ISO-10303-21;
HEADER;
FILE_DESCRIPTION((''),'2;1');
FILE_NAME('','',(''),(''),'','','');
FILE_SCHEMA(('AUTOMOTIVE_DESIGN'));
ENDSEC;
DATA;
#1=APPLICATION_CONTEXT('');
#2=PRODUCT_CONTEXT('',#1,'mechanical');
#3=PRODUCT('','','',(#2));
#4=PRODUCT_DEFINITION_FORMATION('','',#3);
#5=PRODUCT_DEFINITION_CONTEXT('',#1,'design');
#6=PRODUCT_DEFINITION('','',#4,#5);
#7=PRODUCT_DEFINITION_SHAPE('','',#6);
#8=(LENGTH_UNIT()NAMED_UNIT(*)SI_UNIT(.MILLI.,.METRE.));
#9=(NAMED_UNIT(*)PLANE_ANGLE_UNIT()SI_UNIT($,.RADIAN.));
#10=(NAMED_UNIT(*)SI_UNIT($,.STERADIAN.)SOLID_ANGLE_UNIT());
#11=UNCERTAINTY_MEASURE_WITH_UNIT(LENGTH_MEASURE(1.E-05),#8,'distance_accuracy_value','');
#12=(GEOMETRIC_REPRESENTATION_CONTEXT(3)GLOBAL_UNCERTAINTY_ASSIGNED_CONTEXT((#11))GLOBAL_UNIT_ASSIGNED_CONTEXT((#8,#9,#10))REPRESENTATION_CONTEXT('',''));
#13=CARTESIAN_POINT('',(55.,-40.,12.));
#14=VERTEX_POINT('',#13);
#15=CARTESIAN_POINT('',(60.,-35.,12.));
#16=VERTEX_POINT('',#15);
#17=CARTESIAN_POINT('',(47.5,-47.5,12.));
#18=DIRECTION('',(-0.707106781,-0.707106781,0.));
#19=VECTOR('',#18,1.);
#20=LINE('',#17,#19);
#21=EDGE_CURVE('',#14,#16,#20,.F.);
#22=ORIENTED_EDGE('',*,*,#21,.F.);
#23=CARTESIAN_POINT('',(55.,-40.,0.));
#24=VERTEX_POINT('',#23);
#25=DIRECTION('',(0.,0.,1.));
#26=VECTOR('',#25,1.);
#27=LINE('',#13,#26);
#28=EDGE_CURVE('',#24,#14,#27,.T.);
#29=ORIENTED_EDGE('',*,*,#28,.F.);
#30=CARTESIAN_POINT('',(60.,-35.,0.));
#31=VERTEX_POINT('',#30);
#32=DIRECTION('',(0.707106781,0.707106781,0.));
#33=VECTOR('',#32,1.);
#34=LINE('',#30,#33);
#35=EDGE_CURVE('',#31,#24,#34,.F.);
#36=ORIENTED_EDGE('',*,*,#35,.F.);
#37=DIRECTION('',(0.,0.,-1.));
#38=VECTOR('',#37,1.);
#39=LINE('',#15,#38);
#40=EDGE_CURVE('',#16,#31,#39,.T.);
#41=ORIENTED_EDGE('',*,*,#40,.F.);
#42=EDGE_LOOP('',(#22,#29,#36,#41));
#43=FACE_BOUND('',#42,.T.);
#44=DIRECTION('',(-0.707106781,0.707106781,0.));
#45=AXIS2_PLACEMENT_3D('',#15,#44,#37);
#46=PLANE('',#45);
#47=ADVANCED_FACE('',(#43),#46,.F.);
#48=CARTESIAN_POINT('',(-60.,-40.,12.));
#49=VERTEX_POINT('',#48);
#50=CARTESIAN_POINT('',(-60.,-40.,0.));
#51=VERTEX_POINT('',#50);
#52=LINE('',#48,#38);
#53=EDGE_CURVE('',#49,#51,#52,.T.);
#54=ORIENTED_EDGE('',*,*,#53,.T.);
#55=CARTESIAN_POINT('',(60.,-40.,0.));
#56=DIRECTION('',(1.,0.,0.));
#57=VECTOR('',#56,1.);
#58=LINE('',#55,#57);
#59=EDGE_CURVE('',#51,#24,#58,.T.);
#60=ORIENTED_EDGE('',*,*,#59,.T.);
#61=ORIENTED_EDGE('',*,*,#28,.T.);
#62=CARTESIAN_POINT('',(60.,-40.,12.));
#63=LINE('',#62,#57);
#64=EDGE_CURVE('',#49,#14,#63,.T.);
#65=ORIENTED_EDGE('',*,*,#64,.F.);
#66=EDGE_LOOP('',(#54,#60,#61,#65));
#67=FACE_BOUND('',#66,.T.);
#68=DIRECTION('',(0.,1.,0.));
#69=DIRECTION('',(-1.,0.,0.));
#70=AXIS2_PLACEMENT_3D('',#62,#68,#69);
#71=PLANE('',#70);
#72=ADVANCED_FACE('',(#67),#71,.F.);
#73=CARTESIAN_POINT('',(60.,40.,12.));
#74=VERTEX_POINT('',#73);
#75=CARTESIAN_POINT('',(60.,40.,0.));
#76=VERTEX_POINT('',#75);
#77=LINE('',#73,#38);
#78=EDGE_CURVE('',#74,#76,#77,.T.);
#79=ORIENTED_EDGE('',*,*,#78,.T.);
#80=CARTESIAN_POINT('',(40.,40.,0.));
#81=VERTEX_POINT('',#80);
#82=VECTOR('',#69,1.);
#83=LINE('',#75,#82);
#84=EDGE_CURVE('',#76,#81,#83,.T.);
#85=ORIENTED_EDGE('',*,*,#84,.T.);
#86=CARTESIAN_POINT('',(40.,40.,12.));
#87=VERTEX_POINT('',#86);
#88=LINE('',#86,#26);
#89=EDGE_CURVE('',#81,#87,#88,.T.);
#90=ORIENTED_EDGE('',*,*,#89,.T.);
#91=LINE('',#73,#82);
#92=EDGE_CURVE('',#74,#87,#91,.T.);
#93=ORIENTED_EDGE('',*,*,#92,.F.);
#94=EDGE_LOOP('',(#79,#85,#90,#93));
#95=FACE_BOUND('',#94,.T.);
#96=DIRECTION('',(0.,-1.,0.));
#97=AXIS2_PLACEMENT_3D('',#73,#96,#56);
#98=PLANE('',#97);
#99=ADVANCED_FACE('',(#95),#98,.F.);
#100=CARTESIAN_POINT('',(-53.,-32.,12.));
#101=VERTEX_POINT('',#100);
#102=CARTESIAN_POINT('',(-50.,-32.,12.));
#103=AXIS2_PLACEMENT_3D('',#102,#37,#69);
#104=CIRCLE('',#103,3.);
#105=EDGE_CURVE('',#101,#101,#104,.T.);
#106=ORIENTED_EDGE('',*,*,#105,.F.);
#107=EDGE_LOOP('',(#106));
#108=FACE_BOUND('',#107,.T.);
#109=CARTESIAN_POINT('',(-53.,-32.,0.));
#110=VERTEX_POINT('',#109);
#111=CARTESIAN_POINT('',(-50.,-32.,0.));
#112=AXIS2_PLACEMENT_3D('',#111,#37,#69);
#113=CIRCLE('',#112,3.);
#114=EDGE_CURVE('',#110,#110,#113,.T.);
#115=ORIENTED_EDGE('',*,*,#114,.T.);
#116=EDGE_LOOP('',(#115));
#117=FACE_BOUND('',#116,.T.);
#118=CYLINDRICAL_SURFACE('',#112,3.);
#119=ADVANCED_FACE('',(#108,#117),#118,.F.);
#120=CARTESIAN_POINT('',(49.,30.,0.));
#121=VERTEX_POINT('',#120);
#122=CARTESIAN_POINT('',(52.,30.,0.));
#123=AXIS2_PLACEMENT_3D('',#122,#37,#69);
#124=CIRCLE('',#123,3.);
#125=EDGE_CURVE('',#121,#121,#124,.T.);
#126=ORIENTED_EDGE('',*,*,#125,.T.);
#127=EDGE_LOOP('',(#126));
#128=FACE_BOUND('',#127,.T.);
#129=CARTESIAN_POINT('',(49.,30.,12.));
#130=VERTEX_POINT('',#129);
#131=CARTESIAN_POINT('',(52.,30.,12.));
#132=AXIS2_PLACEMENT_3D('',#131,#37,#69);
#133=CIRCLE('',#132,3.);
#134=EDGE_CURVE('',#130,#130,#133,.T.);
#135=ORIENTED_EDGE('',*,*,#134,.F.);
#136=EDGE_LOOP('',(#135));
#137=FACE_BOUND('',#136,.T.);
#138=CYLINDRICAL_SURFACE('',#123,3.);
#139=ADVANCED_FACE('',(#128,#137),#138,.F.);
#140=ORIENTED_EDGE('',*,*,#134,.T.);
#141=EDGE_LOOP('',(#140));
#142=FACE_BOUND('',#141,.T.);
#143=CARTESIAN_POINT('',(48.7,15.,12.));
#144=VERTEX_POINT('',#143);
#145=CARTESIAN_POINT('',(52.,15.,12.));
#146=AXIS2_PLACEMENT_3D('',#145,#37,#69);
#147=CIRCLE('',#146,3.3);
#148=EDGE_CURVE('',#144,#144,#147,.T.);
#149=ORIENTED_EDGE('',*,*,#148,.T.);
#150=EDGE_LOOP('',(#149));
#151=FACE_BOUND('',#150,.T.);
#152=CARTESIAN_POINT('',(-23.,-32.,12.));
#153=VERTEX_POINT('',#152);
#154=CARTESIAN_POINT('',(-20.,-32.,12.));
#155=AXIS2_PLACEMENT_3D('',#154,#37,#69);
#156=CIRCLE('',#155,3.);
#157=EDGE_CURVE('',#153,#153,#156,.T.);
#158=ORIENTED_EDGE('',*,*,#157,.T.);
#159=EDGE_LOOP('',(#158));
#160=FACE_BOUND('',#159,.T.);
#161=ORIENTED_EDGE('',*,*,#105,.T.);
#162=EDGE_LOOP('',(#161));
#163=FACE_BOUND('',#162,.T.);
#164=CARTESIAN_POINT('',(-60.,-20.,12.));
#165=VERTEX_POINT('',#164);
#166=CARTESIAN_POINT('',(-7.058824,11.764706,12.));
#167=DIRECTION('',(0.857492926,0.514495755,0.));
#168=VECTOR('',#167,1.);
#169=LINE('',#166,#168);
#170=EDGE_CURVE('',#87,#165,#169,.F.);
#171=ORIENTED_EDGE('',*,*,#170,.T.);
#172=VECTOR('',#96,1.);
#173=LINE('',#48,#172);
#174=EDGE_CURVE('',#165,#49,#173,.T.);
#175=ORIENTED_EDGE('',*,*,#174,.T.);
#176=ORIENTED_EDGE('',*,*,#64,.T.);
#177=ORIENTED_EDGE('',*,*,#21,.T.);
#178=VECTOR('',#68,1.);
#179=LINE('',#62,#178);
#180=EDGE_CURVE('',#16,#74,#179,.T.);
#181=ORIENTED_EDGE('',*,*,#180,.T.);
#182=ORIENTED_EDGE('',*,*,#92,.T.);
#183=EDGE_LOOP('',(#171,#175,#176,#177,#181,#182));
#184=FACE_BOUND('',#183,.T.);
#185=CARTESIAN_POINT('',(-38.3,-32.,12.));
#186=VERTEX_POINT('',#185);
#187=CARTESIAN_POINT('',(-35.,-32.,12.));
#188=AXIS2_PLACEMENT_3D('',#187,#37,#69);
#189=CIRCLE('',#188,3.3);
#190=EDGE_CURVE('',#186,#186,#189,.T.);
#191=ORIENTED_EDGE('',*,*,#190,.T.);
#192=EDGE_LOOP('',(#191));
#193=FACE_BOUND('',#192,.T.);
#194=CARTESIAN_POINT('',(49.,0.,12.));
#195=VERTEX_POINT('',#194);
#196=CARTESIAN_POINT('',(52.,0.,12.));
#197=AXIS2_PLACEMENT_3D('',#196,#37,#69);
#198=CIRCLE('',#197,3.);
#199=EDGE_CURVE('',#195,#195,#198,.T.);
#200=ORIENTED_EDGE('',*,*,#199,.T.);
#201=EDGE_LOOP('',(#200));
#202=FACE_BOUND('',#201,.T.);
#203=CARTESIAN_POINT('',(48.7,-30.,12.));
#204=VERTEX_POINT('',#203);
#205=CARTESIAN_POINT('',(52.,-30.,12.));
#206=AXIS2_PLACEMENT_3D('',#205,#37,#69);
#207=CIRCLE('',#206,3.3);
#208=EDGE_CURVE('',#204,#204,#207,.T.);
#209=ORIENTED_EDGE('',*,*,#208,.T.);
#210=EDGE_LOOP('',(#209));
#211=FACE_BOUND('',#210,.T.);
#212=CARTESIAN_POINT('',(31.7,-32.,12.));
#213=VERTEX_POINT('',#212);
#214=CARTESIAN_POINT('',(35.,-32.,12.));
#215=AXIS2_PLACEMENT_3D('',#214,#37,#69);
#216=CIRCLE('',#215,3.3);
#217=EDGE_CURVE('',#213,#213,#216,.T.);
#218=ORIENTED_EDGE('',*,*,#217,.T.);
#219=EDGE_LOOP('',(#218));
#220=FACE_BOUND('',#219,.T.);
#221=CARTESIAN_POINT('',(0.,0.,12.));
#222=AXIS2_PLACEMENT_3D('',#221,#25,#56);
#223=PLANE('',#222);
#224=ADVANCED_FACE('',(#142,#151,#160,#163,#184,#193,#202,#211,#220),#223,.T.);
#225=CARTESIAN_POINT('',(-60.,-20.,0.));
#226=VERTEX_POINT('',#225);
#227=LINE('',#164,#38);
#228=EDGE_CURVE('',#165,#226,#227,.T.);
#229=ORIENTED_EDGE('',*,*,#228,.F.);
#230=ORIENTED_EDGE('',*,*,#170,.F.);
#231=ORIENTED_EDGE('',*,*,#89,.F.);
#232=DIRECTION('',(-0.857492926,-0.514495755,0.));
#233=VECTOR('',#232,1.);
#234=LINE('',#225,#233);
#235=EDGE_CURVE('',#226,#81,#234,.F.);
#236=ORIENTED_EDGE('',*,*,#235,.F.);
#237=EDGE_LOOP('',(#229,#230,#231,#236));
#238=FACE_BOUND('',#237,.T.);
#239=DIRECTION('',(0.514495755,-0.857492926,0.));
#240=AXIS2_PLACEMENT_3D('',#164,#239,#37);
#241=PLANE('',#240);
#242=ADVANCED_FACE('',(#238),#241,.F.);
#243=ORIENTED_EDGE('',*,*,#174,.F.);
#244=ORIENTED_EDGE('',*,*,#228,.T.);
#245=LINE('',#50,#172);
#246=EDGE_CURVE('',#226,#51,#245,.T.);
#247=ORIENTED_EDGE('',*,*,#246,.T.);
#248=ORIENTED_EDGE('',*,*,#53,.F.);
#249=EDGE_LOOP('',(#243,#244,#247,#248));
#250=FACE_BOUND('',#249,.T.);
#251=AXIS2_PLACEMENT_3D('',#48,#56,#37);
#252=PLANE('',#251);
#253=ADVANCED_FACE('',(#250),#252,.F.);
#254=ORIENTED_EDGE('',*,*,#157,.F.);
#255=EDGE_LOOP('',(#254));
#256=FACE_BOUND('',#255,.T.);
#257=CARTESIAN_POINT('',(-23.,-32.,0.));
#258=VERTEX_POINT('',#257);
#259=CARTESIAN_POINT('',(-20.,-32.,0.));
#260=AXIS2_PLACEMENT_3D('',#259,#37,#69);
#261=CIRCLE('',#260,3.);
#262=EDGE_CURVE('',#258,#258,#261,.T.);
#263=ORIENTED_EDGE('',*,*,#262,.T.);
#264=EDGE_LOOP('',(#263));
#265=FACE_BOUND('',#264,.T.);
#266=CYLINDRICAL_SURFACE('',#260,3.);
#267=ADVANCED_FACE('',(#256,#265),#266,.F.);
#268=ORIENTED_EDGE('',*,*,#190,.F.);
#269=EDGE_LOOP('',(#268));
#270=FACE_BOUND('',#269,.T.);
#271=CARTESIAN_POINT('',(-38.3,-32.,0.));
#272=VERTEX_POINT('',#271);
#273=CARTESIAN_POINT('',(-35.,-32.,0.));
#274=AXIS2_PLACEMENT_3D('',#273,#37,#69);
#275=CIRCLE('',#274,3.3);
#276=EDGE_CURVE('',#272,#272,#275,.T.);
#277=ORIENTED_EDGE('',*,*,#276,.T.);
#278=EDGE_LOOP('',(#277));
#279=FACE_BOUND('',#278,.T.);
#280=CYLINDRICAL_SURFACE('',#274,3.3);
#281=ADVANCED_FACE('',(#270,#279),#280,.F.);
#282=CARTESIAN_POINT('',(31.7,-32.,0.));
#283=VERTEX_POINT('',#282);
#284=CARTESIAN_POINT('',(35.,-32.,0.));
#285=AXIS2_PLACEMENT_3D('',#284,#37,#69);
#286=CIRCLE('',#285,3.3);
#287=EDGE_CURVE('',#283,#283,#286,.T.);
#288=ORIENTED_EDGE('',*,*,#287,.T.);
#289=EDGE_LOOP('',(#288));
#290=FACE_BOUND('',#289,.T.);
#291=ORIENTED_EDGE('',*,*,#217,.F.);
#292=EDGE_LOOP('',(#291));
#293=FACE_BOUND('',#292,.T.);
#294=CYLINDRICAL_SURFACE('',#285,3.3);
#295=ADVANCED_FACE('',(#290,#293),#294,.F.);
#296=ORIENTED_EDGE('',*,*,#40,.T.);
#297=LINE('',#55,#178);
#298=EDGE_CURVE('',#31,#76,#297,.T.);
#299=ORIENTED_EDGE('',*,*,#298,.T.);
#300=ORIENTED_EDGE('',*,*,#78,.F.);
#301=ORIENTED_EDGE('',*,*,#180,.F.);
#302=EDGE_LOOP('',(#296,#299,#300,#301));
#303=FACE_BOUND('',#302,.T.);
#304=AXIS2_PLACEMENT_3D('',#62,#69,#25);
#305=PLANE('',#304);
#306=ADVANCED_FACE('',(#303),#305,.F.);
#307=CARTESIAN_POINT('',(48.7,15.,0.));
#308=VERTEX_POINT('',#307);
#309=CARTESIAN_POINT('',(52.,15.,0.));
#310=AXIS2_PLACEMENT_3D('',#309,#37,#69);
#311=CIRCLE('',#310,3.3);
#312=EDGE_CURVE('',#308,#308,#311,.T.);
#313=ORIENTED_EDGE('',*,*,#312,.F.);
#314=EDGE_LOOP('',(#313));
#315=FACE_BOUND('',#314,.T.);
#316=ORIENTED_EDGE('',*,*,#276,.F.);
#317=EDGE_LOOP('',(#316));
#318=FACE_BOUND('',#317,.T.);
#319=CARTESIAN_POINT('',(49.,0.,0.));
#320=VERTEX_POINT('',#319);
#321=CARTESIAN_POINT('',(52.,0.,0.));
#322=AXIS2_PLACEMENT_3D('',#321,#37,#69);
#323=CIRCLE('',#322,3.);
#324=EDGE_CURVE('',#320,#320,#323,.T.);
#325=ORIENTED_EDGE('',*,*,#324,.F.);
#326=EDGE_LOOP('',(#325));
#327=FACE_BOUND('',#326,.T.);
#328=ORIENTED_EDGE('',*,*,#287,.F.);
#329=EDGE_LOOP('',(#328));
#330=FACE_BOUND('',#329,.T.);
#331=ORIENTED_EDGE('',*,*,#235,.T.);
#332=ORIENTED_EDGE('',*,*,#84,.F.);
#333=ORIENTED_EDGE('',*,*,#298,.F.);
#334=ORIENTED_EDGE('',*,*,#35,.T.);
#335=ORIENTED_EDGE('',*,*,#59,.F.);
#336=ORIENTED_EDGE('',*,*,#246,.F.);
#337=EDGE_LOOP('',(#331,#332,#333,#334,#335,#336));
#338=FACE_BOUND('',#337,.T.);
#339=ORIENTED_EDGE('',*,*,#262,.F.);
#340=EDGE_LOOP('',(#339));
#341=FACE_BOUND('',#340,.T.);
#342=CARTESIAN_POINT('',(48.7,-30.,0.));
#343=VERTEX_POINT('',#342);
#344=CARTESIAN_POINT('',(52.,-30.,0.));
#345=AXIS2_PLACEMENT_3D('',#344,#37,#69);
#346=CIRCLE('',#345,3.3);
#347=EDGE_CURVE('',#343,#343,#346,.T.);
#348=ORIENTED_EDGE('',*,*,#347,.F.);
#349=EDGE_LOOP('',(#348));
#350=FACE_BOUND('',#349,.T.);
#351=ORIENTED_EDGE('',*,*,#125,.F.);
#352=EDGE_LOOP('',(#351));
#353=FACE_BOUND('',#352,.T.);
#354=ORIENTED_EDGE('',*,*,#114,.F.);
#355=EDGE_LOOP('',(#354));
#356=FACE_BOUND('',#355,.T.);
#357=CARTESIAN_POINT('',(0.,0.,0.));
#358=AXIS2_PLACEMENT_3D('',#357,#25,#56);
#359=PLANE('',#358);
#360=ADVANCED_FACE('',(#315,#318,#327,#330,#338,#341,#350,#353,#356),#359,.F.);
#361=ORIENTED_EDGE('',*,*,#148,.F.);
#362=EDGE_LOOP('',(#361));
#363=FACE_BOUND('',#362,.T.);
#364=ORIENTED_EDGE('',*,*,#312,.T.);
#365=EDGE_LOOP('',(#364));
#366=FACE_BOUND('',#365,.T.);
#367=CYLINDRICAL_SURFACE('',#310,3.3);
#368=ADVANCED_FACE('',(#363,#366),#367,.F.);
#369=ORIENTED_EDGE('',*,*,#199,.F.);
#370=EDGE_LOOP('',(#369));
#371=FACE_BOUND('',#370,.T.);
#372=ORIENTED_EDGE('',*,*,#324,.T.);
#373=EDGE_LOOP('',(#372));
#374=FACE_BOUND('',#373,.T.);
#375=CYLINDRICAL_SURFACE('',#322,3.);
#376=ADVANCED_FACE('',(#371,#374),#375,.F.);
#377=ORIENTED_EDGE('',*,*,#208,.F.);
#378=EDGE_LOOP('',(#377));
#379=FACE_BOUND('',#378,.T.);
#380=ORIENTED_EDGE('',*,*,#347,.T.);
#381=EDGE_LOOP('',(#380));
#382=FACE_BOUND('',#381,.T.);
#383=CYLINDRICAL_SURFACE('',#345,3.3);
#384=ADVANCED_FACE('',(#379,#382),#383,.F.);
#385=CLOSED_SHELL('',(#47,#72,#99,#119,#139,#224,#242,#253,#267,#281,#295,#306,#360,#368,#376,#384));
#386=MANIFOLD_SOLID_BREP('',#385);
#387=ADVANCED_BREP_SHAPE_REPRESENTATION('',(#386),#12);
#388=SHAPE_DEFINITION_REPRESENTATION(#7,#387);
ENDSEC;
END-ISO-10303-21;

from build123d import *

# Parameters (mm, degrees)
SKETCH_1_W         = 120
SKETCH_1_H         = 80
EXTRUDE_1_DEPTH    = 12
CHAMFER_1_SIZE     = 100
CHAMFER_1_SIZE2    = 60
CHAMFER_2_SIZE     = 5
MM_1_D             = 6
HOLE_WIZARD_M6_1_D = 6.6


with BuildPart() as part:
    # 草图1 → 凸台-拉伸1 (new body)
    with BuildSketch(Plane.XY):
        Rectangle(SKETCH_1_W, SKETCH_1_H)
    extrude(amount=EXTRUDE_1_DEPTH)

    # 倒角1
    chamfer_1_edges = [part.edges().sort_by_distance(p)[0] for p in [
        (-60, 40, 6),
    ]]
    chamfer_1_side = [part.faces().sort_by_distance(p)[0] for p in [
        (0, 40, 6),
    ]]
    chamfer(chamfer_1_edges, length=CHAMFER_1_SIZE, length2=CHAMFER_1_SIZE2, reference=chamfer_1_side[0])

    # 倒角2
    chamfer_2_edges = [part.edges().sort_by_distance(p)[0] for p in [
        (60, -40, 6),
    ]]
    chamfer(chamfer_2_edges, length=CHAMFER_2_SIZE)

    # 大小mm 暗销孔1 (through all)
    with Locations(Plane(origin=(0, 0, 0), x_dir=(-1, 0, 0), z_dir=(0, 0, -1))):
        with Locations((50, -32), (20, -32), (-52, 30), (-52, 0)):
            Hole(MM_1_D / 2)

    # M6 间隙孔1 (through all)
    with Locations(Plane(origin=(0, 0, 0), x_dir=(-1, 0, 0), z_dir=(0, 0, -1))):
        with Locations((-52, 15), (-52, -30), (-35, -32), (35, -32)):
            Hole(HOLE_WIZARD_M6_1_D / 2)


solid = part.part
